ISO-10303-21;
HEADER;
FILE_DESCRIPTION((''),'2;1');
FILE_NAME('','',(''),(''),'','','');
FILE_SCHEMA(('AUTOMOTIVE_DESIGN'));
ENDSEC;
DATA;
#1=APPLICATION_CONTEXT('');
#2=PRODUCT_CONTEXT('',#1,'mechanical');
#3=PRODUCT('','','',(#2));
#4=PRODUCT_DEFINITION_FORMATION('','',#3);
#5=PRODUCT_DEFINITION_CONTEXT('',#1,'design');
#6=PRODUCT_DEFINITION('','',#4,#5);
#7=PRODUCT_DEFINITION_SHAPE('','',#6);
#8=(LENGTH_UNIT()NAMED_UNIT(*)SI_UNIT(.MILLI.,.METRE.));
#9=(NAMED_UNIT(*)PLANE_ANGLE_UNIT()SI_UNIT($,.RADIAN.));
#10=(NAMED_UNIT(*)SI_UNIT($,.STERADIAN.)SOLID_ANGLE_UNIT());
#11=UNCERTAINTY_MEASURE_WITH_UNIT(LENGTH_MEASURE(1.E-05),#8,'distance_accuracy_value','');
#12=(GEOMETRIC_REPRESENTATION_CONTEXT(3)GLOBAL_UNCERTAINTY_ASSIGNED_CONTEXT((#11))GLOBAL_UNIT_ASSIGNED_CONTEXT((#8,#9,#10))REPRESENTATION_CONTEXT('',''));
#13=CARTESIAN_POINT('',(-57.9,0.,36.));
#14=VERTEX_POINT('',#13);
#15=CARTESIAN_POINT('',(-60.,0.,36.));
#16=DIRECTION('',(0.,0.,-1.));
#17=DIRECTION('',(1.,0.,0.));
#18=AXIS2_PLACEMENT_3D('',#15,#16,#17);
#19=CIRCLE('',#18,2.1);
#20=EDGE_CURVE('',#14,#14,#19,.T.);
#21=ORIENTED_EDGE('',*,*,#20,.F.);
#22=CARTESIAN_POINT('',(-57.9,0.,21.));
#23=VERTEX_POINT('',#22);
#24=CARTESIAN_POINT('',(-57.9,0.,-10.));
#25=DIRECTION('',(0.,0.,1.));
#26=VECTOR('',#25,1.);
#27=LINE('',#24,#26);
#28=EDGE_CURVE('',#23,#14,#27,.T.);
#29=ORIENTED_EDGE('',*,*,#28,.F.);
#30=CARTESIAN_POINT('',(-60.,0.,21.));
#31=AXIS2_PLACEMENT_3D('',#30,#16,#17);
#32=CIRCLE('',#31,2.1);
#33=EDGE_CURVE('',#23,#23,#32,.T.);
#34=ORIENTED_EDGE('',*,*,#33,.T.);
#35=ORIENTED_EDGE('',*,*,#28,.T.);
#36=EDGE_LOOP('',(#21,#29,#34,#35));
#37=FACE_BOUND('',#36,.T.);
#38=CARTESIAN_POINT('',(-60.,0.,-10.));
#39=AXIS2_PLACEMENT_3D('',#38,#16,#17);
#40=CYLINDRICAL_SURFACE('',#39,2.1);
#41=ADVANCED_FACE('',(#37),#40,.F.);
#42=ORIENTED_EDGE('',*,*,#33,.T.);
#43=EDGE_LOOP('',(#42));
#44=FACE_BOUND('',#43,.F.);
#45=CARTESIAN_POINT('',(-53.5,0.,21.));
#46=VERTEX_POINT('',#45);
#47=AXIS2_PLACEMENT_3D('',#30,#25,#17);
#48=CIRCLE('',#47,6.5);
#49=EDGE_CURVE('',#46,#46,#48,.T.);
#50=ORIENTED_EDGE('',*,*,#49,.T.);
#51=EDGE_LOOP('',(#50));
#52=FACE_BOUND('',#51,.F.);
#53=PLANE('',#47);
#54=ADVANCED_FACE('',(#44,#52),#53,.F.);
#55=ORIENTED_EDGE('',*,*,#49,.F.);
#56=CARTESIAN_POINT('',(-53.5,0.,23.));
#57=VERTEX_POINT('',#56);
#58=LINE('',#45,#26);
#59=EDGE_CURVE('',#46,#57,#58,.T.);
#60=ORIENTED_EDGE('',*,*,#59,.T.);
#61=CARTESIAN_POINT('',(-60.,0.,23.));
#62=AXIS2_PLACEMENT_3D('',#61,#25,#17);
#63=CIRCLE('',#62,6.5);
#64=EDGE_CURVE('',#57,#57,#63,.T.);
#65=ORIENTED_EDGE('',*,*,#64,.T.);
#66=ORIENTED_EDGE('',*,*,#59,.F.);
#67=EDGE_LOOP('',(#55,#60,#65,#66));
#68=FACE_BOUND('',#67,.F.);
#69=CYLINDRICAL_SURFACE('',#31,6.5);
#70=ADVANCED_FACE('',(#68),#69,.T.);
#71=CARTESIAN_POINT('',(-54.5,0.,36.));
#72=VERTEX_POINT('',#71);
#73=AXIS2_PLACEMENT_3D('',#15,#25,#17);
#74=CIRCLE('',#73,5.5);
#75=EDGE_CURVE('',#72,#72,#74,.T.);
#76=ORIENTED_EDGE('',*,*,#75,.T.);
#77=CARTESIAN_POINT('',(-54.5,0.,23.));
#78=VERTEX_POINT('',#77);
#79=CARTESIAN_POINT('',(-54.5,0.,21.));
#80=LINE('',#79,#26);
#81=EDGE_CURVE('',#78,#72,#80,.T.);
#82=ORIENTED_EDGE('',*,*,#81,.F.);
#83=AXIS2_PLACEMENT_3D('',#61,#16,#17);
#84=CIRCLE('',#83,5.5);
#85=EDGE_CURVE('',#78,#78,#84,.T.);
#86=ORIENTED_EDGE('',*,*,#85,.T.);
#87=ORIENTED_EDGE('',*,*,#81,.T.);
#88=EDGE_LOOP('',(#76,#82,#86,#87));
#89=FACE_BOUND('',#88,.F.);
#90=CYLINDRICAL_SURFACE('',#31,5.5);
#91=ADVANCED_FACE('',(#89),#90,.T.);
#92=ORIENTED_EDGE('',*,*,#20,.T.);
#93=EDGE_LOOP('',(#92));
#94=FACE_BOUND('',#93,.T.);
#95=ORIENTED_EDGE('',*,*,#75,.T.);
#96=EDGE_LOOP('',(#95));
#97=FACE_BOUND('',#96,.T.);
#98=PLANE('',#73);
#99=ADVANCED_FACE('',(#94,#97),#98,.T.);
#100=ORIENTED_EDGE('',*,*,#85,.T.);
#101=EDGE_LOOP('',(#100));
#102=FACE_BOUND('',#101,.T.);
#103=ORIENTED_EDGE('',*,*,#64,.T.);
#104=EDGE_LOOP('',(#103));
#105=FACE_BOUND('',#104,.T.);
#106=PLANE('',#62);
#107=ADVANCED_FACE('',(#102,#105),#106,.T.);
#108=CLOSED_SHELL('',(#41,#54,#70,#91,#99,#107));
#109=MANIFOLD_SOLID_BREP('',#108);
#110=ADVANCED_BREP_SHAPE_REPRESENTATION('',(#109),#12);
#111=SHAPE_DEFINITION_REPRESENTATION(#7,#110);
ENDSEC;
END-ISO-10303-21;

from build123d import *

# Parameters (mm, degrees)
CYLINDER_R        = 2.1
CYLINDER_DEPTH    = 100
CYLINDER006_R     = 5.5
CYLINDER006_DEPTH = 15
CYLINDER007_R     = 6.5
CYLINDER007_DEPTH = 2


with BuildPart() as centeraxis:
    # Cylinder → Cylinder (new body)
    with BuildSketch(Plane.XY.offset(-10)):
        Circle(CYLINDER_R)
    extrude(amount=CYLINDER_DEPTH)


with BuildPart() as bearing003:
    # Cylinder006 → Cylinder006 (new body)
    with BuildSketch(Plane.XY.offset(21)):
        Circle(CYLINDER006_R)
    extrude(amount=CYLINDER006_DEPTH)


with BuildPart() as centerbearing001:
    # Cylinder007 → Cylinder007 (new body)
    with BuildSketch(Plane.XY.offset(21)):
        Circle(CYLINDER007_R)
    extrude(amount=CYLINDER007_DEPTH)

    # Fusion001: union Bearing003
    add(bearing003.part)

    # Cut012: cut CenterAxis
    add(centeraxis.part, mode=Mode.SUBTRACT)


with BuildPart() as centerbearing001_1:
    # Cut012 placement: moved
    add(centerbearing001.part.moved(Location((-60, 0, 0))))


solid = centerbearing001_1.part
